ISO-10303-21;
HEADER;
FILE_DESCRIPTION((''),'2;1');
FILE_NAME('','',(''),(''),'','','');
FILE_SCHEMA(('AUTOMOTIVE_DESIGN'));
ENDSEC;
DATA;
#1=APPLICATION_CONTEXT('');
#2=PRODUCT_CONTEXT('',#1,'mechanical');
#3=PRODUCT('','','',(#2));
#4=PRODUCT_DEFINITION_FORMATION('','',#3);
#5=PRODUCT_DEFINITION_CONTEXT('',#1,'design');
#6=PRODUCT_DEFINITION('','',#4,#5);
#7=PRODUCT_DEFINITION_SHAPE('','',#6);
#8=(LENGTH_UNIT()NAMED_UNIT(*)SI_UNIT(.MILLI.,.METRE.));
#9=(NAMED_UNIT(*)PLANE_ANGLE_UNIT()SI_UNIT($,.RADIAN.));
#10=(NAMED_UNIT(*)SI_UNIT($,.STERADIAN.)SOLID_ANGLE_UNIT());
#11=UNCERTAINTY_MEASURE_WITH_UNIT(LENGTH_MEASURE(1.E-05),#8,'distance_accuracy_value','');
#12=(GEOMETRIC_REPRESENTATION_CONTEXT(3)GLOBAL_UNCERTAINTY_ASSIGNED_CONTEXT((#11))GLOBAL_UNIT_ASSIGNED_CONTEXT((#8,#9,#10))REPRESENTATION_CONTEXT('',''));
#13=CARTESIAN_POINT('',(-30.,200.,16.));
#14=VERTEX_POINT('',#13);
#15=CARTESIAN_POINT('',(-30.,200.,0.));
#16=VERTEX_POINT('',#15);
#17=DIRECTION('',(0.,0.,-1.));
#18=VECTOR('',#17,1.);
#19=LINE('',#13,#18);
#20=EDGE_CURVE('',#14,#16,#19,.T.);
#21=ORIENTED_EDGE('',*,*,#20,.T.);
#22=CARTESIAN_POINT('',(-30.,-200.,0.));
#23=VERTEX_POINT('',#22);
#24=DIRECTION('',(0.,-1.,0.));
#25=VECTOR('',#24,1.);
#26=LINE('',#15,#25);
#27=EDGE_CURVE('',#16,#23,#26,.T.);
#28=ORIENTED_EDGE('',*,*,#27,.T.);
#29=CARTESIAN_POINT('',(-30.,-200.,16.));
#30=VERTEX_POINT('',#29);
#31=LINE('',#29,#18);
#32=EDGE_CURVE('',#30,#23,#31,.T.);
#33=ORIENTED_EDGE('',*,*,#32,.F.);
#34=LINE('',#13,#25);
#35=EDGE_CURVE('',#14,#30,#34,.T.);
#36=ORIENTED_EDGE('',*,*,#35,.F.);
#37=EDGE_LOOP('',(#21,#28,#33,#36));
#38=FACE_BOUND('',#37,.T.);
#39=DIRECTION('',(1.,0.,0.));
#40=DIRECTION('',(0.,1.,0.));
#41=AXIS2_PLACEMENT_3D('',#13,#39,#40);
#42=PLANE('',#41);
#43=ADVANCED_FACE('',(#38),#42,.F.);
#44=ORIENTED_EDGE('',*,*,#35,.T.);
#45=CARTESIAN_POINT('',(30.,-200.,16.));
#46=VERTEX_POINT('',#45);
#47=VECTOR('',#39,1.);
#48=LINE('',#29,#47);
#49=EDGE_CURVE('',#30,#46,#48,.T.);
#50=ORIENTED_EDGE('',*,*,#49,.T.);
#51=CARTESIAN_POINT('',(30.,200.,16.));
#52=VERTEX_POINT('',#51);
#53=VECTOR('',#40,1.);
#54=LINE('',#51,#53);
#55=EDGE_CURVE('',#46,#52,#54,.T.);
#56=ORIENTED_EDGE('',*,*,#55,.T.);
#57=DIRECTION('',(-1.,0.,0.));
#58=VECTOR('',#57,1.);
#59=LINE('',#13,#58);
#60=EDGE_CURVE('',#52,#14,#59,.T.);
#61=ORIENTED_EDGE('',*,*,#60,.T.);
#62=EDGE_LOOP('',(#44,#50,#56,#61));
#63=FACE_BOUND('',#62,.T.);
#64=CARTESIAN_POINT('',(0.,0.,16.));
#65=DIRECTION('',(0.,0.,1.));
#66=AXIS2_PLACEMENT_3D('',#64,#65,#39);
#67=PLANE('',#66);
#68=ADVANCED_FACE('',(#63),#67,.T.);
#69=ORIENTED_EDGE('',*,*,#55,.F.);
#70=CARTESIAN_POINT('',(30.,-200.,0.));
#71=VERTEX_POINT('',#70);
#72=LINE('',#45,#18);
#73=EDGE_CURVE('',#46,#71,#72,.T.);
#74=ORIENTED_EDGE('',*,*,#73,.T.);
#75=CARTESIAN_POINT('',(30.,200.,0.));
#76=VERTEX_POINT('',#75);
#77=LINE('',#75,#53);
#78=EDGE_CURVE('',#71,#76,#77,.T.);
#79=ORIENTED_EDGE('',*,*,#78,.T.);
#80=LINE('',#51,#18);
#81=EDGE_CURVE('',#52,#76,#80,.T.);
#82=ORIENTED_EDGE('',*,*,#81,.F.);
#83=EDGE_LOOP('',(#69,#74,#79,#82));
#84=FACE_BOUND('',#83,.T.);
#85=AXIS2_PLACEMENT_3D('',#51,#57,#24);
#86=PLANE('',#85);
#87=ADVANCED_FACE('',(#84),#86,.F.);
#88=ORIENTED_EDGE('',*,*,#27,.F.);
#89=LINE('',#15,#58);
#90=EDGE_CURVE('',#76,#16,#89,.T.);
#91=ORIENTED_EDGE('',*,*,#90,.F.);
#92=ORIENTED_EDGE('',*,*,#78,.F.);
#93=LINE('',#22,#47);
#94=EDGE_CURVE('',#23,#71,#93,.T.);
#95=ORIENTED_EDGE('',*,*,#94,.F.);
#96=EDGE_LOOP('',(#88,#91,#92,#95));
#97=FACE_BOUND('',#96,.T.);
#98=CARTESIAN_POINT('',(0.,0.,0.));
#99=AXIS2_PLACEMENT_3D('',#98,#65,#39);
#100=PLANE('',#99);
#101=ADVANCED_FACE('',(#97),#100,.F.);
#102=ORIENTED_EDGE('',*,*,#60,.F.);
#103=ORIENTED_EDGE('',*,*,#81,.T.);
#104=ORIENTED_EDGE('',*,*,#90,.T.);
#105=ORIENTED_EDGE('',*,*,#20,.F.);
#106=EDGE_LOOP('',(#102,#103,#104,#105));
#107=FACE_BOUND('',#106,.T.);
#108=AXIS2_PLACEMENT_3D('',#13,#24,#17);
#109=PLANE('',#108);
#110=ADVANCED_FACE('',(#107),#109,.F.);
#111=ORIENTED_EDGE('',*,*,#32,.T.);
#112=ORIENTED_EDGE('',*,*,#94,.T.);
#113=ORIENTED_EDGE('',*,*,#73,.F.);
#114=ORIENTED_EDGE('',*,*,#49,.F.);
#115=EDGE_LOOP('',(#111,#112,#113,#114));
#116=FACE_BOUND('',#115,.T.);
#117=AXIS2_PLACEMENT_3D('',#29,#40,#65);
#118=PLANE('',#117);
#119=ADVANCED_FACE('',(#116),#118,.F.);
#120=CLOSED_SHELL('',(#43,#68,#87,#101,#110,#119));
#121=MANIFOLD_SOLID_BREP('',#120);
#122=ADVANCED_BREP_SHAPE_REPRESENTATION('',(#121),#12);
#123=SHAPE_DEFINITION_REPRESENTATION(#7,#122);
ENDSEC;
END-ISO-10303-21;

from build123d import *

# Parameters (mm, degrees)
SKETCH_1_W      = 60
SKETCH_1_H      = 400
EXTRUDE_1_DEPTH = 16


with BuildPart() as part:
    # 草图1 → 凸台-拉伸1 (new body)
    with BuildSketch(Plane.XY):
        Rectangle(SKETCH_1_W, SKETCH_1_H)
    extrude(amount=EXTRUDE_1_DEPTH)


solid = part.part
